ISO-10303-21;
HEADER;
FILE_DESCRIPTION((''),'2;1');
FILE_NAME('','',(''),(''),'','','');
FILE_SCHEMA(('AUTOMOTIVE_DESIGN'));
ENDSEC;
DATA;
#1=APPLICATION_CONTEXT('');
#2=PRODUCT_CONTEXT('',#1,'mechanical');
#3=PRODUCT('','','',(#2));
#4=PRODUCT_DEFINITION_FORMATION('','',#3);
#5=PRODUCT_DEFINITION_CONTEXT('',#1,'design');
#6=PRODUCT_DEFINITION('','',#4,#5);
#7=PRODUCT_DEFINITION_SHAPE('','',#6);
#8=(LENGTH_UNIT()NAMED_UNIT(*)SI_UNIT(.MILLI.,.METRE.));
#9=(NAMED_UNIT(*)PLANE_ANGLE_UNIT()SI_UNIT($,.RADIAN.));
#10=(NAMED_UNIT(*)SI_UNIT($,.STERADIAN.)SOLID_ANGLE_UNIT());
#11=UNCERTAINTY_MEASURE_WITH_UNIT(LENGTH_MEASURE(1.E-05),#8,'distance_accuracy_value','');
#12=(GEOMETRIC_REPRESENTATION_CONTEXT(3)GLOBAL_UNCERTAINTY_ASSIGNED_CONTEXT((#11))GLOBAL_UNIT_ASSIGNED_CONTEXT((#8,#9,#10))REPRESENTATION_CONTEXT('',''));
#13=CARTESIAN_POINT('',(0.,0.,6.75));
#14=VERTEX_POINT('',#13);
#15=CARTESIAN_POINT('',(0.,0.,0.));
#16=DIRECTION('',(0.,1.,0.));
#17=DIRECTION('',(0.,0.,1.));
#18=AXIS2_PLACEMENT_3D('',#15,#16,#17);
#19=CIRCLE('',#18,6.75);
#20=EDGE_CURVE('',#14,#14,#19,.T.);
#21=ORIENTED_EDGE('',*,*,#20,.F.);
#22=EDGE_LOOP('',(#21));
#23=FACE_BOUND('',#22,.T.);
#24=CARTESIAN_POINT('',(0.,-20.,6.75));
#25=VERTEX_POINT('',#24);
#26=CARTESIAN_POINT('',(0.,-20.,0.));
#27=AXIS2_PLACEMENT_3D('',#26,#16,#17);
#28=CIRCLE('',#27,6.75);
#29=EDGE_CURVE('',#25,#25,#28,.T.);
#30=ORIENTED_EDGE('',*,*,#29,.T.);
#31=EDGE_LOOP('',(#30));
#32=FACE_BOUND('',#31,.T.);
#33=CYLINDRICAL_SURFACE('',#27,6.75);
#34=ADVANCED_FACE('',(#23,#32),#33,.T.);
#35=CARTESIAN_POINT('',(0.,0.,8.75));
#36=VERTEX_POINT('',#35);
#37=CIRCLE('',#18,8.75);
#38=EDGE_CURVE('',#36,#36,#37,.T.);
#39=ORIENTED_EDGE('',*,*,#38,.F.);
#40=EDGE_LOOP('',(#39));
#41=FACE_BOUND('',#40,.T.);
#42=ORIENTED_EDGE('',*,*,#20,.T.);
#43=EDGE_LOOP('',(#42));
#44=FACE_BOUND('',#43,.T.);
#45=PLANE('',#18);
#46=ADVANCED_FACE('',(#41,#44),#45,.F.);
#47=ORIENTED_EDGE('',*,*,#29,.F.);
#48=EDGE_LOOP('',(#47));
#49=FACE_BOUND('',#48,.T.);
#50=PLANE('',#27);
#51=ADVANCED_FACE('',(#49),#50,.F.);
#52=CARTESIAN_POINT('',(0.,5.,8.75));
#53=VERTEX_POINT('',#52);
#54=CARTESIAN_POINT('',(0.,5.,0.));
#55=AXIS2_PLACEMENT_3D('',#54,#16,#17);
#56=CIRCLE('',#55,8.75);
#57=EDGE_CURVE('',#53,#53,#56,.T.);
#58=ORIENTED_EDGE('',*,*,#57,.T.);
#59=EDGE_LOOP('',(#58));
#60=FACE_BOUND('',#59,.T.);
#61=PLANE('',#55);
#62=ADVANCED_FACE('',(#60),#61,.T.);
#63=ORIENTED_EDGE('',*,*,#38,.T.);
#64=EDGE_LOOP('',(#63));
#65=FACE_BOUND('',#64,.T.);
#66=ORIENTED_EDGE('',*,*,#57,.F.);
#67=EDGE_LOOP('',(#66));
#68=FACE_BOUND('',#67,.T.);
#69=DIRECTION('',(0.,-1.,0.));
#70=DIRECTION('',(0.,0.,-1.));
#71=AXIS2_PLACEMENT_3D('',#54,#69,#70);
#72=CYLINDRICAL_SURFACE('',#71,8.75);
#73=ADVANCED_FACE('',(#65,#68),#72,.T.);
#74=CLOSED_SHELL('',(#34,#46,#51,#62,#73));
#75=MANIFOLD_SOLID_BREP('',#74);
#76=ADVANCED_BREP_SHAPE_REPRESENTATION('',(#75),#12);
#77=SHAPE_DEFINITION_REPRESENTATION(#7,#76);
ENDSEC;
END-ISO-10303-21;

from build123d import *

# Parameters (mm, degrees)
SKETCH1_R      = 6.75
EXTRUDE1_DEPTH = 20
SKETCH2_R      = 8.75
EXTRUDE2_DEPTH = 5


with BuildPart() as part:
    # Sketch1 → Extrude1 (new body)
    with BuildSketch(Plane(origin=(0, 0, 0), x_dir=(1, 0, 0), z_dir=(0, 1, 0))):
        with Locations(Location((0, 0, 0), (0, 0, 270))):  # turned: the seam where the file's is
            Circle(SKETCH1_R)
    extrude(amount=-EXTRUDE1_DEPTH)

    # Sketch2 → Extrude2 (add)
    with BuildSketch(Plane(origin=(0, 0, 0), x_dir=(1, 0, 0), z_dir=(0, 1, 0))):
        with Locations(Location((0, 0, 0), (0, 0, 270))):  # turned: the seam where the file's is
            Circle(SKETCH2_R)
    extrude(amount=EXTRUDE2_DEPTH)


solid = part.part
